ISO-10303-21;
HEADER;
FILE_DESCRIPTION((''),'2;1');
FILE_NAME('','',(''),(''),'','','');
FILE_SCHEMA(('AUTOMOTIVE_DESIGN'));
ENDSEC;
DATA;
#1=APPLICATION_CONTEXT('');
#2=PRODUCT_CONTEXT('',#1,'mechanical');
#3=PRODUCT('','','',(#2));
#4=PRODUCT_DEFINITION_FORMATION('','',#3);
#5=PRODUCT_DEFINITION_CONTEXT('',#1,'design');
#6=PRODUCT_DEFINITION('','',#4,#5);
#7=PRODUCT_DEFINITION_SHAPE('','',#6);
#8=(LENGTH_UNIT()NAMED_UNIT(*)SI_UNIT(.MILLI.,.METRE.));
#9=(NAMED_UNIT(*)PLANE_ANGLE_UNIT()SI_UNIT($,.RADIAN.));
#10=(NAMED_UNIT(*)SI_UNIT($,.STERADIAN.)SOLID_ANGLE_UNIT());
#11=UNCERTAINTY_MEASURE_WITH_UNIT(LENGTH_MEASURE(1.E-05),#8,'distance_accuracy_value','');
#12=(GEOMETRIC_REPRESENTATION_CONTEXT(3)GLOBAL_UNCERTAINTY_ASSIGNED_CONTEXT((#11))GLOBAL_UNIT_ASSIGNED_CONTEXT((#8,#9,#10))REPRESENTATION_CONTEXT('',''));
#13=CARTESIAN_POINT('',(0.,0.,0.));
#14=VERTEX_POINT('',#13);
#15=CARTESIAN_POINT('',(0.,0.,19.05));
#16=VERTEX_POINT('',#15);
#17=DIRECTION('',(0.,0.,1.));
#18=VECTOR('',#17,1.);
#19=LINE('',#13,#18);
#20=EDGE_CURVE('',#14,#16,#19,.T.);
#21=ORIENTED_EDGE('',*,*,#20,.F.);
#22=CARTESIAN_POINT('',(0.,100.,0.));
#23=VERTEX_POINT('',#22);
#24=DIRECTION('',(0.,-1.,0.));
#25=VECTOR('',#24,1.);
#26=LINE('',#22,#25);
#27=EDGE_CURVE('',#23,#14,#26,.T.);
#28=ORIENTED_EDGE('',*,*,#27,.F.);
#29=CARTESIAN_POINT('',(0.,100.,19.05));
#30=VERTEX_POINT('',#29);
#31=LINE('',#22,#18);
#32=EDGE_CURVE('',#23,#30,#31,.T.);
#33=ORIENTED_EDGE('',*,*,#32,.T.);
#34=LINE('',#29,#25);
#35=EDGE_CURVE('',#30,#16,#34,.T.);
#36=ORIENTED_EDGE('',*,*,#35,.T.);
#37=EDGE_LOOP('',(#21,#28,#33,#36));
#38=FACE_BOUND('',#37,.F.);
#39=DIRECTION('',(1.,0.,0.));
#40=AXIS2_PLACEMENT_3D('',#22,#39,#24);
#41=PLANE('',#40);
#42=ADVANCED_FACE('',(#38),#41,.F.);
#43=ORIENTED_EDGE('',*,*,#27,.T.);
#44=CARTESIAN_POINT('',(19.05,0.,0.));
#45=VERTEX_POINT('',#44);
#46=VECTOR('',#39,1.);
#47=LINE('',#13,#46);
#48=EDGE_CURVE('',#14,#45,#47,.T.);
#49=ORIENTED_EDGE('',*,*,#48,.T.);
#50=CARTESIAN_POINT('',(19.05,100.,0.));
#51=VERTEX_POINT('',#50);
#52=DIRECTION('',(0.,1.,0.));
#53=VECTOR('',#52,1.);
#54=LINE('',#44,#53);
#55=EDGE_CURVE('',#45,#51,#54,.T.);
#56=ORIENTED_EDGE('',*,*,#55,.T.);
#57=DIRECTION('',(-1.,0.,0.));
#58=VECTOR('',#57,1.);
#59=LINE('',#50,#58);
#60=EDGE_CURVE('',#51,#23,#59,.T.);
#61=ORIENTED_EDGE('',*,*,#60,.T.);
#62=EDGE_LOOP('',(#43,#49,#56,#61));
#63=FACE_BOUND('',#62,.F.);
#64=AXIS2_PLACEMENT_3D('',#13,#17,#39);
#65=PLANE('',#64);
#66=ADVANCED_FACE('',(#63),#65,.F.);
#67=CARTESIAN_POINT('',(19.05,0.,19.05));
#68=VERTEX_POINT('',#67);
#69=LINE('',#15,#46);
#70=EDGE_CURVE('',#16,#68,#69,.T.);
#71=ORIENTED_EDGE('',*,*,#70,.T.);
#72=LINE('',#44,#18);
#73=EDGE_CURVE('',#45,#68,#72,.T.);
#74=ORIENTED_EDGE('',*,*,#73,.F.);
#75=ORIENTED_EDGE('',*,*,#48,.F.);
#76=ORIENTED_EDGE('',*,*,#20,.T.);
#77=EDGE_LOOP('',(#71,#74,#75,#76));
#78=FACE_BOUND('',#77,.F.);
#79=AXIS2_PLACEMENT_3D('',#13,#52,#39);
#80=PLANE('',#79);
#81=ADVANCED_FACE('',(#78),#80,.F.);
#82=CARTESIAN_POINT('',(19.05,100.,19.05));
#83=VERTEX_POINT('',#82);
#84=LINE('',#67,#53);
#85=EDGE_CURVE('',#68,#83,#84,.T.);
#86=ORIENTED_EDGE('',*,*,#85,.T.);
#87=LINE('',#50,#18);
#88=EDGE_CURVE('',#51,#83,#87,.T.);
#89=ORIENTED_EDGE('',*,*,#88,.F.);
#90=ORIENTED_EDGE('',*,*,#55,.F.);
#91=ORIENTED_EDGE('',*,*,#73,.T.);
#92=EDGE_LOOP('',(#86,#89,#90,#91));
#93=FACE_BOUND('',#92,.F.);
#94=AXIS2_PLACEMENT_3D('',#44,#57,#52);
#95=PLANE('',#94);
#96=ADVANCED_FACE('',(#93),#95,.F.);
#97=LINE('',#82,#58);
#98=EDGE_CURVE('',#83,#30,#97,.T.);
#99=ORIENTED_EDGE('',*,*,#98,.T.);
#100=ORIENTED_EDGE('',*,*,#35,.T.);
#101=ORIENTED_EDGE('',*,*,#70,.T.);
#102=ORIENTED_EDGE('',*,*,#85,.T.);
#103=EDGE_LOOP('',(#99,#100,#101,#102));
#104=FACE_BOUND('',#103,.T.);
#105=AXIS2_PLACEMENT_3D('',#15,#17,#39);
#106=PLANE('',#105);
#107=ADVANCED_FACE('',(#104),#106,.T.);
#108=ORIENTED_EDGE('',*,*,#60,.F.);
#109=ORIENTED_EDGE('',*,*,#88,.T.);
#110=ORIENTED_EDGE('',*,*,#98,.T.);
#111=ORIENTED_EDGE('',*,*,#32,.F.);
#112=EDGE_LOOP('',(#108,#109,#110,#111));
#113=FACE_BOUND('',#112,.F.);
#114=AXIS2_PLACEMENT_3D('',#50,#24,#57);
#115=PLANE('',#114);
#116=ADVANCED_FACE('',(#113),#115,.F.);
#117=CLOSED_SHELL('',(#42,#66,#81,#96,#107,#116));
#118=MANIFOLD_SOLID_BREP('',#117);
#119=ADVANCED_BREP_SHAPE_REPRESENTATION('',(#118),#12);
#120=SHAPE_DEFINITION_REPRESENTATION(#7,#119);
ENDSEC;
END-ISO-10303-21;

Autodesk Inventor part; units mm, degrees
ref_plane "YZ Plane" through (0, 0, 0) normal (1, 0, 0) x (0, 1, 0)
ref_plane "XZ Plane" through (0, 0, 0) normal (0, 1, 0) x (-1, 0, 0)
ref_plane "XY Plane" through (0, 0, 0) normal (0, 0, 1) x (1, 0, 0)
sketch "Sketch1" plane through (0, 0, 0) normal (0, 0, 1) x (1, 0, 0)
  line L0 (0, 0) -> (19.05, 0)
  line L1 (19.05, 0) -> (19.05, 100)
  line L2 (19.05, 100) -> (0, 100)
  line L3 (0, 100) -> (0, 0)
  dimension "d0" = 19.05
  dimension "d1" = 100
extrude "Extrusion1" add sketch "Sketch1" along normal blind 19.05
properties part number "C006" material "Wood (Birch)"
